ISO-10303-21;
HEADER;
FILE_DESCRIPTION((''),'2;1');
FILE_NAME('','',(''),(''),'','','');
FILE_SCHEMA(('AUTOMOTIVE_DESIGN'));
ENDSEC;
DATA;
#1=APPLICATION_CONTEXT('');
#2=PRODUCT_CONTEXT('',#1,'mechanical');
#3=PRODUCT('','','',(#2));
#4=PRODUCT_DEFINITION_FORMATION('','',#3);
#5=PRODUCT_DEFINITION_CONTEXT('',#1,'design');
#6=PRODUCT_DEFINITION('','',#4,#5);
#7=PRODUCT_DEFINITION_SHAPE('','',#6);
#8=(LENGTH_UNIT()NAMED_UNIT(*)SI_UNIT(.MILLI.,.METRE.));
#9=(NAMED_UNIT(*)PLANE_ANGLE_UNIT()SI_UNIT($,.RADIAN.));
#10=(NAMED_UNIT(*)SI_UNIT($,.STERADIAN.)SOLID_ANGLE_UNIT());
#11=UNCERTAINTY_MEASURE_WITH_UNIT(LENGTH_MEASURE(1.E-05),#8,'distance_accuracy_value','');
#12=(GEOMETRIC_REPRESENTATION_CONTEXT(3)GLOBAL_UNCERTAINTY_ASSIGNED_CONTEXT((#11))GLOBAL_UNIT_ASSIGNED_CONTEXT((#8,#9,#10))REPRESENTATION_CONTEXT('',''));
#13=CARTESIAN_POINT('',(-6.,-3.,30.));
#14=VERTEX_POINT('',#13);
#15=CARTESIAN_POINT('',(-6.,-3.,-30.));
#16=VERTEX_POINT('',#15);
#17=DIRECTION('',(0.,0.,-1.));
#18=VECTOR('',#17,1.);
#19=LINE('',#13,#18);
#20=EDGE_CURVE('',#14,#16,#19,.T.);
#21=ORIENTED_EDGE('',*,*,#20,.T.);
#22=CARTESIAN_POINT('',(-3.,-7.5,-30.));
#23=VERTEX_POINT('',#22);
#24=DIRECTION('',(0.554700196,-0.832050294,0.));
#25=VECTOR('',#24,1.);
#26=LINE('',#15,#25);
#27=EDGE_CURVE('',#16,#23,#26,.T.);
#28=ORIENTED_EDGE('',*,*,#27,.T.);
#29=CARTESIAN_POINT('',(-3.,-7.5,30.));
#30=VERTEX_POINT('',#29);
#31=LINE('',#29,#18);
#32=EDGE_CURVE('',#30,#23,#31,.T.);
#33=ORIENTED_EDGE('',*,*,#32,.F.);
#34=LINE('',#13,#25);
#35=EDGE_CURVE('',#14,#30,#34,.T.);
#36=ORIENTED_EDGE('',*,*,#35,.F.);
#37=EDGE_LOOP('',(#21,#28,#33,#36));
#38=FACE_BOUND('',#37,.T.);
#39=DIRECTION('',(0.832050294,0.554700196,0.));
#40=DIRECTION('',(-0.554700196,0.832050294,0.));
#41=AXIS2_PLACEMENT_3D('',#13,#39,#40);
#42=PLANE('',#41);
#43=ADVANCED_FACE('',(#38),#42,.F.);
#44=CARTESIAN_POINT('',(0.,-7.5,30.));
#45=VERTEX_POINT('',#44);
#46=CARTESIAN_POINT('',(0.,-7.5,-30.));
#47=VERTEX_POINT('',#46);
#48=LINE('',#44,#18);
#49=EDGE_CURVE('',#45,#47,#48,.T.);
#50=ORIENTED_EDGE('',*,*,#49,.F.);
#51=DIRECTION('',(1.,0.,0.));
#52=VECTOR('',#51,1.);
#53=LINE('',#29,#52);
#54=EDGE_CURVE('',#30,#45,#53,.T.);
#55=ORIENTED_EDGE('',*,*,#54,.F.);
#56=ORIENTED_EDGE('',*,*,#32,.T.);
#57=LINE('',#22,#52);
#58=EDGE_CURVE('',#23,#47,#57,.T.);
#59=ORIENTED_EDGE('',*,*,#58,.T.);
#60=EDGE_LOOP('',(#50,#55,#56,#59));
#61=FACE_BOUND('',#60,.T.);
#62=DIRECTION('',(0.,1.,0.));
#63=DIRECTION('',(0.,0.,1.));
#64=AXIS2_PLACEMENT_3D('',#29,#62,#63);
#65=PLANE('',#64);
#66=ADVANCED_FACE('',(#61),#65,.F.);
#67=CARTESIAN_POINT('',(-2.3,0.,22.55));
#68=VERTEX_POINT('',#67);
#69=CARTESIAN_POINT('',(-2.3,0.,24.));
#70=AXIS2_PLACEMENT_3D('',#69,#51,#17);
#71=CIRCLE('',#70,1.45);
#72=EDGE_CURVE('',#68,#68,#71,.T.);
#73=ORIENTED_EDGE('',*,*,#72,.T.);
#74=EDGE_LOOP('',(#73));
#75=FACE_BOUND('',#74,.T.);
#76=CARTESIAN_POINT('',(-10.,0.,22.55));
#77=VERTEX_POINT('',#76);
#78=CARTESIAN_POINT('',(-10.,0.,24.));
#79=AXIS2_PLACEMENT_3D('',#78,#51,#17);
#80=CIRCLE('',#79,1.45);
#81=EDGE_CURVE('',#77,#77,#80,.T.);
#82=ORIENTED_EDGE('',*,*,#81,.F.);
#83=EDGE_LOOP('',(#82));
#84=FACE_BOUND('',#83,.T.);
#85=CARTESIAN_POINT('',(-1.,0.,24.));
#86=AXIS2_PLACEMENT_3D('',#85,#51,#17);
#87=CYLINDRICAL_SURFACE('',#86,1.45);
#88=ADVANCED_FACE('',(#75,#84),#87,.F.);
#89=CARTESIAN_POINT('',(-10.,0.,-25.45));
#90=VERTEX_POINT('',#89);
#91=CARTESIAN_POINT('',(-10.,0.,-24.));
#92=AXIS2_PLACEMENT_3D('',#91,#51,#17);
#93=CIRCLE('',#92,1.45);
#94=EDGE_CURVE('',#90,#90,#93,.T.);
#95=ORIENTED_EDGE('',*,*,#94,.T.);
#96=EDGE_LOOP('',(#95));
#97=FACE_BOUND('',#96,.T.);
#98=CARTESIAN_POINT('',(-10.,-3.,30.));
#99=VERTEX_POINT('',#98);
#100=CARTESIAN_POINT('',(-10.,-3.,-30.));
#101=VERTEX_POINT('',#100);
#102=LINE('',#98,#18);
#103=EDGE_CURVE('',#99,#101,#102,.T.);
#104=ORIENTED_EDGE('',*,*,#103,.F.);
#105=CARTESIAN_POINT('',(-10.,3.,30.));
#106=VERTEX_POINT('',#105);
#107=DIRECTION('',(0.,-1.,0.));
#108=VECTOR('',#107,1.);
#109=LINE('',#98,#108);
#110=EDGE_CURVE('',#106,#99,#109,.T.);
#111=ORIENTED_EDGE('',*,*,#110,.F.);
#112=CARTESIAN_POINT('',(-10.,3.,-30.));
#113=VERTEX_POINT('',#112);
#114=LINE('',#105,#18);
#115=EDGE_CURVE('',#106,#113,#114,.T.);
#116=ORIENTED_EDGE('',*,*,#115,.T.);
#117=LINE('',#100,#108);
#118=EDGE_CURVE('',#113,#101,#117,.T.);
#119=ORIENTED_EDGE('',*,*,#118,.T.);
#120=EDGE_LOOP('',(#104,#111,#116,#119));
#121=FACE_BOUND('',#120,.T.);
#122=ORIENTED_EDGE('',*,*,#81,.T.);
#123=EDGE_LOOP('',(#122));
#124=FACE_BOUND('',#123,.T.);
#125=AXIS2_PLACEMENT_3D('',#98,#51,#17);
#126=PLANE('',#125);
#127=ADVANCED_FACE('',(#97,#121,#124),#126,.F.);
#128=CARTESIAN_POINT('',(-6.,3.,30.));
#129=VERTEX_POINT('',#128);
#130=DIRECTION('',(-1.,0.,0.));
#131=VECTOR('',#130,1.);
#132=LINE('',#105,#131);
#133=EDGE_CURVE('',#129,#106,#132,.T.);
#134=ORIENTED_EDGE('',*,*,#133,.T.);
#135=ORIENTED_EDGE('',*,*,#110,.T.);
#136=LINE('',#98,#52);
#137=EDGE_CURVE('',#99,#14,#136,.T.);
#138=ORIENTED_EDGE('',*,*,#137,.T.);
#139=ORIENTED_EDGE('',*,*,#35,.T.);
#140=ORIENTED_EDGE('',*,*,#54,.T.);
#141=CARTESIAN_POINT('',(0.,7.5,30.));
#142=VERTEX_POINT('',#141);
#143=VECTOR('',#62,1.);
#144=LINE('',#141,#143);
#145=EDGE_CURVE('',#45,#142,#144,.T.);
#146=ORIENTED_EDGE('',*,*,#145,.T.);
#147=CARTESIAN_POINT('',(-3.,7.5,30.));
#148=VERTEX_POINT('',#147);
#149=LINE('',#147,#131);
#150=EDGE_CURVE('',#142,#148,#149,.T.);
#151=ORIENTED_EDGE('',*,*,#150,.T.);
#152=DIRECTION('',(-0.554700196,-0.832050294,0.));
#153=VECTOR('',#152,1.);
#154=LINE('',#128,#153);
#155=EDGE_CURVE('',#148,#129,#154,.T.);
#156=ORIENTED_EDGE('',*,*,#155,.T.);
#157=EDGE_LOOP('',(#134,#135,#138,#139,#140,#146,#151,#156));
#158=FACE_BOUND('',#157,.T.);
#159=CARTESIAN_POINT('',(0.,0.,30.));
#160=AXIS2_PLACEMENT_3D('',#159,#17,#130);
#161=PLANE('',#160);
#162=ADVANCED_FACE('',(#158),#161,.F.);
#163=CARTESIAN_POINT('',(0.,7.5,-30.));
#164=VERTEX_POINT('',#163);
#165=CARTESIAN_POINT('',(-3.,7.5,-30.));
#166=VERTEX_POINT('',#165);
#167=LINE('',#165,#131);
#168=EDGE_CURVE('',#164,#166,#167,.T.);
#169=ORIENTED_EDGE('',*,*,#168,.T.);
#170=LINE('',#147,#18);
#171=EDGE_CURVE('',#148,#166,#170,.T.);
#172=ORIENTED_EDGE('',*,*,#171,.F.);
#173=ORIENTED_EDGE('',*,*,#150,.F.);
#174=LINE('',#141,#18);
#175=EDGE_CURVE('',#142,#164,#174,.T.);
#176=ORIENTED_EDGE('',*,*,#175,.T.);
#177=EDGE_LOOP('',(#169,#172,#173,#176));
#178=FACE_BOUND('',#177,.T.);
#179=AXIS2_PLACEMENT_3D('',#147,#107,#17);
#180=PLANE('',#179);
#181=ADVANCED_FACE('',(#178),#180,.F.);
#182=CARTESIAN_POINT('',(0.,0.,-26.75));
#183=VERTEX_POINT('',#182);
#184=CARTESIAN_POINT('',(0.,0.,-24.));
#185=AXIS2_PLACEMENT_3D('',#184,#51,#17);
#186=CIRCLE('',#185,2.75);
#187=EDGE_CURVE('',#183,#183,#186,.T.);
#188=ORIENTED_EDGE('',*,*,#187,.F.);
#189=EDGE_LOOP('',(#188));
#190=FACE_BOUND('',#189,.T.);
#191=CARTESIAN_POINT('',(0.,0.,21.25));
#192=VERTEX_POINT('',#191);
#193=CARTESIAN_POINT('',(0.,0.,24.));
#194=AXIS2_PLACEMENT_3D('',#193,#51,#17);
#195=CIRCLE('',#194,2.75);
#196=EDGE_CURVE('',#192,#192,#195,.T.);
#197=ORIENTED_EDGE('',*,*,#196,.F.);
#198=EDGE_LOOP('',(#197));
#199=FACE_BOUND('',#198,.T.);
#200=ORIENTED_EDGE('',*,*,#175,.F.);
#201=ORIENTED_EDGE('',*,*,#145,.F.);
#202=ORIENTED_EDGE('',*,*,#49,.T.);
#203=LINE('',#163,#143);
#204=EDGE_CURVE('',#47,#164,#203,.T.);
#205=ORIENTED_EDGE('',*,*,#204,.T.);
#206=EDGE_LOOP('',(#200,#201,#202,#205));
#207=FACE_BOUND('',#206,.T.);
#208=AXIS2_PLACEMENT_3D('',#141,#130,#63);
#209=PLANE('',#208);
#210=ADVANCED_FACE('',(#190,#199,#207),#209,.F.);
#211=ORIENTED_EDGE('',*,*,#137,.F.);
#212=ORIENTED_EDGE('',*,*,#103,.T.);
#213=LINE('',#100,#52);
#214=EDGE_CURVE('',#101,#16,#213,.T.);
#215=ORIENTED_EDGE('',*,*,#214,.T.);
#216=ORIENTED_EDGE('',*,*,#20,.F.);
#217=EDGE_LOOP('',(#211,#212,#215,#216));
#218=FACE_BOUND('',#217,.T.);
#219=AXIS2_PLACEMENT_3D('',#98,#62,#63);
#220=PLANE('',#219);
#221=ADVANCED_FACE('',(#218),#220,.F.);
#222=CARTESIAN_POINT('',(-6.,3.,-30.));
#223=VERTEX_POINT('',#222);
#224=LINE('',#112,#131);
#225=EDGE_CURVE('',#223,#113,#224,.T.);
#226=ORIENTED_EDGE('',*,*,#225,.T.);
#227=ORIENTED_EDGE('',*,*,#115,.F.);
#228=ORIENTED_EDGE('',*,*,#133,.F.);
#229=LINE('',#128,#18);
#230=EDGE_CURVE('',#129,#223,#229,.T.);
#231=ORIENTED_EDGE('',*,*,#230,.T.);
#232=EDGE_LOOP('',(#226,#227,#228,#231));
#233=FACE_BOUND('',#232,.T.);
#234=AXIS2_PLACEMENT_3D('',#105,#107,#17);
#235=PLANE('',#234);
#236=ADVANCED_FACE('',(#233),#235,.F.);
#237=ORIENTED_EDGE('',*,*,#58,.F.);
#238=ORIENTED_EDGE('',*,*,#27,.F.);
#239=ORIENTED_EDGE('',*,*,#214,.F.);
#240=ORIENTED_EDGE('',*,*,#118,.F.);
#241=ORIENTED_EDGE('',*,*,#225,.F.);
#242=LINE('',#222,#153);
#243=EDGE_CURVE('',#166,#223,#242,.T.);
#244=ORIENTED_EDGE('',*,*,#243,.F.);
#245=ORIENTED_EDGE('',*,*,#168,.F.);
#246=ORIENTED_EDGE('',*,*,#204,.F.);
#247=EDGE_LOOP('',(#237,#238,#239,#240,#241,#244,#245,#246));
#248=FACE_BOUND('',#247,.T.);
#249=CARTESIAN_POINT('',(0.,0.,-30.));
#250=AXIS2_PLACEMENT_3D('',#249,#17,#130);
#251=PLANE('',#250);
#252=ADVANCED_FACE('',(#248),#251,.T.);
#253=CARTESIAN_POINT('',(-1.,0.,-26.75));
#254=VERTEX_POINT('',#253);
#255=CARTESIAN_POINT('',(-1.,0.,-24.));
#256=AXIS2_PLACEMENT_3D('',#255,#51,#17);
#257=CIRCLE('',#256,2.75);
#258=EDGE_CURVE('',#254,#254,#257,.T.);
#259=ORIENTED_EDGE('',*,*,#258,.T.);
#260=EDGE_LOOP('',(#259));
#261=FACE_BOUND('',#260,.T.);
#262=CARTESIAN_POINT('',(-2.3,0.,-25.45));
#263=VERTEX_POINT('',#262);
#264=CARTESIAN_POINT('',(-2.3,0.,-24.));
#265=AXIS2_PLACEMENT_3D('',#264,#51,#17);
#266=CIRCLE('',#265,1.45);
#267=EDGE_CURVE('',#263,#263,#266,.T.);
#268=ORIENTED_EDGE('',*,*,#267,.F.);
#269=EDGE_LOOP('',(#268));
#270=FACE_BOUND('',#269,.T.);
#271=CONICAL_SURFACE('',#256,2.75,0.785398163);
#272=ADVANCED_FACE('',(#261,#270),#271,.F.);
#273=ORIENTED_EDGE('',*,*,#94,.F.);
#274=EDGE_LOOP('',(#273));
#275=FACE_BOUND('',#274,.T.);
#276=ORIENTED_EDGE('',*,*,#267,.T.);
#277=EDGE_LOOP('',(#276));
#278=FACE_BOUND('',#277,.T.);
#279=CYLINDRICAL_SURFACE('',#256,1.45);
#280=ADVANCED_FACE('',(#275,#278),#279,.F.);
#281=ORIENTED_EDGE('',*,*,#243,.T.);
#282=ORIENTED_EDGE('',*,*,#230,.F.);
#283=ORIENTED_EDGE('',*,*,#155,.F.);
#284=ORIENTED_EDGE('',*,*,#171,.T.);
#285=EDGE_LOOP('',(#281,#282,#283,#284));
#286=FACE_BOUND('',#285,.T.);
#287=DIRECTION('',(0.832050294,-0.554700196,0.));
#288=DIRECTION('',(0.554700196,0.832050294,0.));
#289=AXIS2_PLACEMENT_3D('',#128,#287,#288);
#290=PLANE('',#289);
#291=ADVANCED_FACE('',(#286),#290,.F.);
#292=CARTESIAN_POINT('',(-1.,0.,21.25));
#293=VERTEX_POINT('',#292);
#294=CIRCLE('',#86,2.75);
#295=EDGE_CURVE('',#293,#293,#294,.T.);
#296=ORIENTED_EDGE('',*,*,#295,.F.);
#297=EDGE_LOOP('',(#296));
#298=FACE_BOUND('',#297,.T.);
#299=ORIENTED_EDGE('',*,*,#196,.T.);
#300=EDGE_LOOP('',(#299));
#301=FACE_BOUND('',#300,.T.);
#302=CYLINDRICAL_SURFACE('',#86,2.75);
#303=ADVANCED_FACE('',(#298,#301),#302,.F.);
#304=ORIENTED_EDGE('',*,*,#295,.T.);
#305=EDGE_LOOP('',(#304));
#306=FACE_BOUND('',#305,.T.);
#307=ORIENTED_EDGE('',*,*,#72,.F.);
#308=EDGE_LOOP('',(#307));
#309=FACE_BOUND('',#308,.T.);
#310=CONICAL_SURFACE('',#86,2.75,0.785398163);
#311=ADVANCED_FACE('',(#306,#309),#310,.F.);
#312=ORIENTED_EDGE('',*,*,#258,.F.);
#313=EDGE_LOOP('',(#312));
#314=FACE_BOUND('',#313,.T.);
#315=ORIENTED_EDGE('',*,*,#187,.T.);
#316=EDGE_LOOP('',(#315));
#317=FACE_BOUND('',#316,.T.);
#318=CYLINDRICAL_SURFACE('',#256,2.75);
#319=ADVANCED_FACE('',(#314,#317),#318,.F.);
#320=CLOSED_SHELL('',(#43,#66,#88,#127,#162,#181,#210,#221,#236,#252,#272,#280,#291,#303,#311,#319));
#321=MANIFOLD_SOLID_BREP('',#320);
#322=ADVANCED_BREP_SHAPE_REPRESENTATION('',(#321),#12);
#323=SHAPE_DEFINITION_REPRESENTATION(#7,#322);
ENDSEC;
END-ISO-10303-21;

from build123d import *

# Parameters (mm, degrees)
EXTRUDE_1_DEPTH               = 30
SKETCH_5_R                    = 2.75
CUT_EXTRUDE_1_DEPTH           = 1
HOLE_WIZARD_M2_52_D           = 2.9
HOLE_WIZARD_M2_52_CSINK_D     = 5.5
HOLE_WIZARD_M2_52_CSINK_ANGLE = 90


with BuildPart() as part:
    # Эскиз1 → Бобышка-Вытянуть1 (new, symmetric)
    with BuildSketch(Plane.XY):
        Polygon((-10, -3), (-10, 3), (-6, 3), (-3, 7.5), (0, 7.5), (0, -7.5), (-3, -7.5), (-6, -3), align=None)
    extrude(amount=EXTRUDE_1_DEPTH, both=True)

    # Эскиз5 → Вырез-Вытянуть1 (cut)
    with BuildSketch(Plane(origin=(0, 0, 0), x_dir=(0, 0, -1), z_dir=(1, 0, 0))):
        with Locations((-24, 0)):
            Circle(SKETCH_5_R)
        with Locations((24, 0)):
            Circle(SKETCH_5_R)
    extrude(amount=-CUT_EXTRUDE_1_DEPTH, mode=Mode.SUBTRACT)

    # Зенковка для винта с потайной головкой M2.52 (through all)
    with Locations(Plane(origin=(-1, 0, 0), x_dir=(0, 0, -1), z_dir=(1, 0, 0))):
        with Locations((-24, 0), (24, 0)):
            CounterSinkHole(HOLE_WIZARD_M2_52_D / 2, HOLE_WIZARD_M2_52_CSINK_D / 2, counter_sink_angle=HOLE_WIZARD_M2_52_CSINK_ANGLE)


solid = part.part
